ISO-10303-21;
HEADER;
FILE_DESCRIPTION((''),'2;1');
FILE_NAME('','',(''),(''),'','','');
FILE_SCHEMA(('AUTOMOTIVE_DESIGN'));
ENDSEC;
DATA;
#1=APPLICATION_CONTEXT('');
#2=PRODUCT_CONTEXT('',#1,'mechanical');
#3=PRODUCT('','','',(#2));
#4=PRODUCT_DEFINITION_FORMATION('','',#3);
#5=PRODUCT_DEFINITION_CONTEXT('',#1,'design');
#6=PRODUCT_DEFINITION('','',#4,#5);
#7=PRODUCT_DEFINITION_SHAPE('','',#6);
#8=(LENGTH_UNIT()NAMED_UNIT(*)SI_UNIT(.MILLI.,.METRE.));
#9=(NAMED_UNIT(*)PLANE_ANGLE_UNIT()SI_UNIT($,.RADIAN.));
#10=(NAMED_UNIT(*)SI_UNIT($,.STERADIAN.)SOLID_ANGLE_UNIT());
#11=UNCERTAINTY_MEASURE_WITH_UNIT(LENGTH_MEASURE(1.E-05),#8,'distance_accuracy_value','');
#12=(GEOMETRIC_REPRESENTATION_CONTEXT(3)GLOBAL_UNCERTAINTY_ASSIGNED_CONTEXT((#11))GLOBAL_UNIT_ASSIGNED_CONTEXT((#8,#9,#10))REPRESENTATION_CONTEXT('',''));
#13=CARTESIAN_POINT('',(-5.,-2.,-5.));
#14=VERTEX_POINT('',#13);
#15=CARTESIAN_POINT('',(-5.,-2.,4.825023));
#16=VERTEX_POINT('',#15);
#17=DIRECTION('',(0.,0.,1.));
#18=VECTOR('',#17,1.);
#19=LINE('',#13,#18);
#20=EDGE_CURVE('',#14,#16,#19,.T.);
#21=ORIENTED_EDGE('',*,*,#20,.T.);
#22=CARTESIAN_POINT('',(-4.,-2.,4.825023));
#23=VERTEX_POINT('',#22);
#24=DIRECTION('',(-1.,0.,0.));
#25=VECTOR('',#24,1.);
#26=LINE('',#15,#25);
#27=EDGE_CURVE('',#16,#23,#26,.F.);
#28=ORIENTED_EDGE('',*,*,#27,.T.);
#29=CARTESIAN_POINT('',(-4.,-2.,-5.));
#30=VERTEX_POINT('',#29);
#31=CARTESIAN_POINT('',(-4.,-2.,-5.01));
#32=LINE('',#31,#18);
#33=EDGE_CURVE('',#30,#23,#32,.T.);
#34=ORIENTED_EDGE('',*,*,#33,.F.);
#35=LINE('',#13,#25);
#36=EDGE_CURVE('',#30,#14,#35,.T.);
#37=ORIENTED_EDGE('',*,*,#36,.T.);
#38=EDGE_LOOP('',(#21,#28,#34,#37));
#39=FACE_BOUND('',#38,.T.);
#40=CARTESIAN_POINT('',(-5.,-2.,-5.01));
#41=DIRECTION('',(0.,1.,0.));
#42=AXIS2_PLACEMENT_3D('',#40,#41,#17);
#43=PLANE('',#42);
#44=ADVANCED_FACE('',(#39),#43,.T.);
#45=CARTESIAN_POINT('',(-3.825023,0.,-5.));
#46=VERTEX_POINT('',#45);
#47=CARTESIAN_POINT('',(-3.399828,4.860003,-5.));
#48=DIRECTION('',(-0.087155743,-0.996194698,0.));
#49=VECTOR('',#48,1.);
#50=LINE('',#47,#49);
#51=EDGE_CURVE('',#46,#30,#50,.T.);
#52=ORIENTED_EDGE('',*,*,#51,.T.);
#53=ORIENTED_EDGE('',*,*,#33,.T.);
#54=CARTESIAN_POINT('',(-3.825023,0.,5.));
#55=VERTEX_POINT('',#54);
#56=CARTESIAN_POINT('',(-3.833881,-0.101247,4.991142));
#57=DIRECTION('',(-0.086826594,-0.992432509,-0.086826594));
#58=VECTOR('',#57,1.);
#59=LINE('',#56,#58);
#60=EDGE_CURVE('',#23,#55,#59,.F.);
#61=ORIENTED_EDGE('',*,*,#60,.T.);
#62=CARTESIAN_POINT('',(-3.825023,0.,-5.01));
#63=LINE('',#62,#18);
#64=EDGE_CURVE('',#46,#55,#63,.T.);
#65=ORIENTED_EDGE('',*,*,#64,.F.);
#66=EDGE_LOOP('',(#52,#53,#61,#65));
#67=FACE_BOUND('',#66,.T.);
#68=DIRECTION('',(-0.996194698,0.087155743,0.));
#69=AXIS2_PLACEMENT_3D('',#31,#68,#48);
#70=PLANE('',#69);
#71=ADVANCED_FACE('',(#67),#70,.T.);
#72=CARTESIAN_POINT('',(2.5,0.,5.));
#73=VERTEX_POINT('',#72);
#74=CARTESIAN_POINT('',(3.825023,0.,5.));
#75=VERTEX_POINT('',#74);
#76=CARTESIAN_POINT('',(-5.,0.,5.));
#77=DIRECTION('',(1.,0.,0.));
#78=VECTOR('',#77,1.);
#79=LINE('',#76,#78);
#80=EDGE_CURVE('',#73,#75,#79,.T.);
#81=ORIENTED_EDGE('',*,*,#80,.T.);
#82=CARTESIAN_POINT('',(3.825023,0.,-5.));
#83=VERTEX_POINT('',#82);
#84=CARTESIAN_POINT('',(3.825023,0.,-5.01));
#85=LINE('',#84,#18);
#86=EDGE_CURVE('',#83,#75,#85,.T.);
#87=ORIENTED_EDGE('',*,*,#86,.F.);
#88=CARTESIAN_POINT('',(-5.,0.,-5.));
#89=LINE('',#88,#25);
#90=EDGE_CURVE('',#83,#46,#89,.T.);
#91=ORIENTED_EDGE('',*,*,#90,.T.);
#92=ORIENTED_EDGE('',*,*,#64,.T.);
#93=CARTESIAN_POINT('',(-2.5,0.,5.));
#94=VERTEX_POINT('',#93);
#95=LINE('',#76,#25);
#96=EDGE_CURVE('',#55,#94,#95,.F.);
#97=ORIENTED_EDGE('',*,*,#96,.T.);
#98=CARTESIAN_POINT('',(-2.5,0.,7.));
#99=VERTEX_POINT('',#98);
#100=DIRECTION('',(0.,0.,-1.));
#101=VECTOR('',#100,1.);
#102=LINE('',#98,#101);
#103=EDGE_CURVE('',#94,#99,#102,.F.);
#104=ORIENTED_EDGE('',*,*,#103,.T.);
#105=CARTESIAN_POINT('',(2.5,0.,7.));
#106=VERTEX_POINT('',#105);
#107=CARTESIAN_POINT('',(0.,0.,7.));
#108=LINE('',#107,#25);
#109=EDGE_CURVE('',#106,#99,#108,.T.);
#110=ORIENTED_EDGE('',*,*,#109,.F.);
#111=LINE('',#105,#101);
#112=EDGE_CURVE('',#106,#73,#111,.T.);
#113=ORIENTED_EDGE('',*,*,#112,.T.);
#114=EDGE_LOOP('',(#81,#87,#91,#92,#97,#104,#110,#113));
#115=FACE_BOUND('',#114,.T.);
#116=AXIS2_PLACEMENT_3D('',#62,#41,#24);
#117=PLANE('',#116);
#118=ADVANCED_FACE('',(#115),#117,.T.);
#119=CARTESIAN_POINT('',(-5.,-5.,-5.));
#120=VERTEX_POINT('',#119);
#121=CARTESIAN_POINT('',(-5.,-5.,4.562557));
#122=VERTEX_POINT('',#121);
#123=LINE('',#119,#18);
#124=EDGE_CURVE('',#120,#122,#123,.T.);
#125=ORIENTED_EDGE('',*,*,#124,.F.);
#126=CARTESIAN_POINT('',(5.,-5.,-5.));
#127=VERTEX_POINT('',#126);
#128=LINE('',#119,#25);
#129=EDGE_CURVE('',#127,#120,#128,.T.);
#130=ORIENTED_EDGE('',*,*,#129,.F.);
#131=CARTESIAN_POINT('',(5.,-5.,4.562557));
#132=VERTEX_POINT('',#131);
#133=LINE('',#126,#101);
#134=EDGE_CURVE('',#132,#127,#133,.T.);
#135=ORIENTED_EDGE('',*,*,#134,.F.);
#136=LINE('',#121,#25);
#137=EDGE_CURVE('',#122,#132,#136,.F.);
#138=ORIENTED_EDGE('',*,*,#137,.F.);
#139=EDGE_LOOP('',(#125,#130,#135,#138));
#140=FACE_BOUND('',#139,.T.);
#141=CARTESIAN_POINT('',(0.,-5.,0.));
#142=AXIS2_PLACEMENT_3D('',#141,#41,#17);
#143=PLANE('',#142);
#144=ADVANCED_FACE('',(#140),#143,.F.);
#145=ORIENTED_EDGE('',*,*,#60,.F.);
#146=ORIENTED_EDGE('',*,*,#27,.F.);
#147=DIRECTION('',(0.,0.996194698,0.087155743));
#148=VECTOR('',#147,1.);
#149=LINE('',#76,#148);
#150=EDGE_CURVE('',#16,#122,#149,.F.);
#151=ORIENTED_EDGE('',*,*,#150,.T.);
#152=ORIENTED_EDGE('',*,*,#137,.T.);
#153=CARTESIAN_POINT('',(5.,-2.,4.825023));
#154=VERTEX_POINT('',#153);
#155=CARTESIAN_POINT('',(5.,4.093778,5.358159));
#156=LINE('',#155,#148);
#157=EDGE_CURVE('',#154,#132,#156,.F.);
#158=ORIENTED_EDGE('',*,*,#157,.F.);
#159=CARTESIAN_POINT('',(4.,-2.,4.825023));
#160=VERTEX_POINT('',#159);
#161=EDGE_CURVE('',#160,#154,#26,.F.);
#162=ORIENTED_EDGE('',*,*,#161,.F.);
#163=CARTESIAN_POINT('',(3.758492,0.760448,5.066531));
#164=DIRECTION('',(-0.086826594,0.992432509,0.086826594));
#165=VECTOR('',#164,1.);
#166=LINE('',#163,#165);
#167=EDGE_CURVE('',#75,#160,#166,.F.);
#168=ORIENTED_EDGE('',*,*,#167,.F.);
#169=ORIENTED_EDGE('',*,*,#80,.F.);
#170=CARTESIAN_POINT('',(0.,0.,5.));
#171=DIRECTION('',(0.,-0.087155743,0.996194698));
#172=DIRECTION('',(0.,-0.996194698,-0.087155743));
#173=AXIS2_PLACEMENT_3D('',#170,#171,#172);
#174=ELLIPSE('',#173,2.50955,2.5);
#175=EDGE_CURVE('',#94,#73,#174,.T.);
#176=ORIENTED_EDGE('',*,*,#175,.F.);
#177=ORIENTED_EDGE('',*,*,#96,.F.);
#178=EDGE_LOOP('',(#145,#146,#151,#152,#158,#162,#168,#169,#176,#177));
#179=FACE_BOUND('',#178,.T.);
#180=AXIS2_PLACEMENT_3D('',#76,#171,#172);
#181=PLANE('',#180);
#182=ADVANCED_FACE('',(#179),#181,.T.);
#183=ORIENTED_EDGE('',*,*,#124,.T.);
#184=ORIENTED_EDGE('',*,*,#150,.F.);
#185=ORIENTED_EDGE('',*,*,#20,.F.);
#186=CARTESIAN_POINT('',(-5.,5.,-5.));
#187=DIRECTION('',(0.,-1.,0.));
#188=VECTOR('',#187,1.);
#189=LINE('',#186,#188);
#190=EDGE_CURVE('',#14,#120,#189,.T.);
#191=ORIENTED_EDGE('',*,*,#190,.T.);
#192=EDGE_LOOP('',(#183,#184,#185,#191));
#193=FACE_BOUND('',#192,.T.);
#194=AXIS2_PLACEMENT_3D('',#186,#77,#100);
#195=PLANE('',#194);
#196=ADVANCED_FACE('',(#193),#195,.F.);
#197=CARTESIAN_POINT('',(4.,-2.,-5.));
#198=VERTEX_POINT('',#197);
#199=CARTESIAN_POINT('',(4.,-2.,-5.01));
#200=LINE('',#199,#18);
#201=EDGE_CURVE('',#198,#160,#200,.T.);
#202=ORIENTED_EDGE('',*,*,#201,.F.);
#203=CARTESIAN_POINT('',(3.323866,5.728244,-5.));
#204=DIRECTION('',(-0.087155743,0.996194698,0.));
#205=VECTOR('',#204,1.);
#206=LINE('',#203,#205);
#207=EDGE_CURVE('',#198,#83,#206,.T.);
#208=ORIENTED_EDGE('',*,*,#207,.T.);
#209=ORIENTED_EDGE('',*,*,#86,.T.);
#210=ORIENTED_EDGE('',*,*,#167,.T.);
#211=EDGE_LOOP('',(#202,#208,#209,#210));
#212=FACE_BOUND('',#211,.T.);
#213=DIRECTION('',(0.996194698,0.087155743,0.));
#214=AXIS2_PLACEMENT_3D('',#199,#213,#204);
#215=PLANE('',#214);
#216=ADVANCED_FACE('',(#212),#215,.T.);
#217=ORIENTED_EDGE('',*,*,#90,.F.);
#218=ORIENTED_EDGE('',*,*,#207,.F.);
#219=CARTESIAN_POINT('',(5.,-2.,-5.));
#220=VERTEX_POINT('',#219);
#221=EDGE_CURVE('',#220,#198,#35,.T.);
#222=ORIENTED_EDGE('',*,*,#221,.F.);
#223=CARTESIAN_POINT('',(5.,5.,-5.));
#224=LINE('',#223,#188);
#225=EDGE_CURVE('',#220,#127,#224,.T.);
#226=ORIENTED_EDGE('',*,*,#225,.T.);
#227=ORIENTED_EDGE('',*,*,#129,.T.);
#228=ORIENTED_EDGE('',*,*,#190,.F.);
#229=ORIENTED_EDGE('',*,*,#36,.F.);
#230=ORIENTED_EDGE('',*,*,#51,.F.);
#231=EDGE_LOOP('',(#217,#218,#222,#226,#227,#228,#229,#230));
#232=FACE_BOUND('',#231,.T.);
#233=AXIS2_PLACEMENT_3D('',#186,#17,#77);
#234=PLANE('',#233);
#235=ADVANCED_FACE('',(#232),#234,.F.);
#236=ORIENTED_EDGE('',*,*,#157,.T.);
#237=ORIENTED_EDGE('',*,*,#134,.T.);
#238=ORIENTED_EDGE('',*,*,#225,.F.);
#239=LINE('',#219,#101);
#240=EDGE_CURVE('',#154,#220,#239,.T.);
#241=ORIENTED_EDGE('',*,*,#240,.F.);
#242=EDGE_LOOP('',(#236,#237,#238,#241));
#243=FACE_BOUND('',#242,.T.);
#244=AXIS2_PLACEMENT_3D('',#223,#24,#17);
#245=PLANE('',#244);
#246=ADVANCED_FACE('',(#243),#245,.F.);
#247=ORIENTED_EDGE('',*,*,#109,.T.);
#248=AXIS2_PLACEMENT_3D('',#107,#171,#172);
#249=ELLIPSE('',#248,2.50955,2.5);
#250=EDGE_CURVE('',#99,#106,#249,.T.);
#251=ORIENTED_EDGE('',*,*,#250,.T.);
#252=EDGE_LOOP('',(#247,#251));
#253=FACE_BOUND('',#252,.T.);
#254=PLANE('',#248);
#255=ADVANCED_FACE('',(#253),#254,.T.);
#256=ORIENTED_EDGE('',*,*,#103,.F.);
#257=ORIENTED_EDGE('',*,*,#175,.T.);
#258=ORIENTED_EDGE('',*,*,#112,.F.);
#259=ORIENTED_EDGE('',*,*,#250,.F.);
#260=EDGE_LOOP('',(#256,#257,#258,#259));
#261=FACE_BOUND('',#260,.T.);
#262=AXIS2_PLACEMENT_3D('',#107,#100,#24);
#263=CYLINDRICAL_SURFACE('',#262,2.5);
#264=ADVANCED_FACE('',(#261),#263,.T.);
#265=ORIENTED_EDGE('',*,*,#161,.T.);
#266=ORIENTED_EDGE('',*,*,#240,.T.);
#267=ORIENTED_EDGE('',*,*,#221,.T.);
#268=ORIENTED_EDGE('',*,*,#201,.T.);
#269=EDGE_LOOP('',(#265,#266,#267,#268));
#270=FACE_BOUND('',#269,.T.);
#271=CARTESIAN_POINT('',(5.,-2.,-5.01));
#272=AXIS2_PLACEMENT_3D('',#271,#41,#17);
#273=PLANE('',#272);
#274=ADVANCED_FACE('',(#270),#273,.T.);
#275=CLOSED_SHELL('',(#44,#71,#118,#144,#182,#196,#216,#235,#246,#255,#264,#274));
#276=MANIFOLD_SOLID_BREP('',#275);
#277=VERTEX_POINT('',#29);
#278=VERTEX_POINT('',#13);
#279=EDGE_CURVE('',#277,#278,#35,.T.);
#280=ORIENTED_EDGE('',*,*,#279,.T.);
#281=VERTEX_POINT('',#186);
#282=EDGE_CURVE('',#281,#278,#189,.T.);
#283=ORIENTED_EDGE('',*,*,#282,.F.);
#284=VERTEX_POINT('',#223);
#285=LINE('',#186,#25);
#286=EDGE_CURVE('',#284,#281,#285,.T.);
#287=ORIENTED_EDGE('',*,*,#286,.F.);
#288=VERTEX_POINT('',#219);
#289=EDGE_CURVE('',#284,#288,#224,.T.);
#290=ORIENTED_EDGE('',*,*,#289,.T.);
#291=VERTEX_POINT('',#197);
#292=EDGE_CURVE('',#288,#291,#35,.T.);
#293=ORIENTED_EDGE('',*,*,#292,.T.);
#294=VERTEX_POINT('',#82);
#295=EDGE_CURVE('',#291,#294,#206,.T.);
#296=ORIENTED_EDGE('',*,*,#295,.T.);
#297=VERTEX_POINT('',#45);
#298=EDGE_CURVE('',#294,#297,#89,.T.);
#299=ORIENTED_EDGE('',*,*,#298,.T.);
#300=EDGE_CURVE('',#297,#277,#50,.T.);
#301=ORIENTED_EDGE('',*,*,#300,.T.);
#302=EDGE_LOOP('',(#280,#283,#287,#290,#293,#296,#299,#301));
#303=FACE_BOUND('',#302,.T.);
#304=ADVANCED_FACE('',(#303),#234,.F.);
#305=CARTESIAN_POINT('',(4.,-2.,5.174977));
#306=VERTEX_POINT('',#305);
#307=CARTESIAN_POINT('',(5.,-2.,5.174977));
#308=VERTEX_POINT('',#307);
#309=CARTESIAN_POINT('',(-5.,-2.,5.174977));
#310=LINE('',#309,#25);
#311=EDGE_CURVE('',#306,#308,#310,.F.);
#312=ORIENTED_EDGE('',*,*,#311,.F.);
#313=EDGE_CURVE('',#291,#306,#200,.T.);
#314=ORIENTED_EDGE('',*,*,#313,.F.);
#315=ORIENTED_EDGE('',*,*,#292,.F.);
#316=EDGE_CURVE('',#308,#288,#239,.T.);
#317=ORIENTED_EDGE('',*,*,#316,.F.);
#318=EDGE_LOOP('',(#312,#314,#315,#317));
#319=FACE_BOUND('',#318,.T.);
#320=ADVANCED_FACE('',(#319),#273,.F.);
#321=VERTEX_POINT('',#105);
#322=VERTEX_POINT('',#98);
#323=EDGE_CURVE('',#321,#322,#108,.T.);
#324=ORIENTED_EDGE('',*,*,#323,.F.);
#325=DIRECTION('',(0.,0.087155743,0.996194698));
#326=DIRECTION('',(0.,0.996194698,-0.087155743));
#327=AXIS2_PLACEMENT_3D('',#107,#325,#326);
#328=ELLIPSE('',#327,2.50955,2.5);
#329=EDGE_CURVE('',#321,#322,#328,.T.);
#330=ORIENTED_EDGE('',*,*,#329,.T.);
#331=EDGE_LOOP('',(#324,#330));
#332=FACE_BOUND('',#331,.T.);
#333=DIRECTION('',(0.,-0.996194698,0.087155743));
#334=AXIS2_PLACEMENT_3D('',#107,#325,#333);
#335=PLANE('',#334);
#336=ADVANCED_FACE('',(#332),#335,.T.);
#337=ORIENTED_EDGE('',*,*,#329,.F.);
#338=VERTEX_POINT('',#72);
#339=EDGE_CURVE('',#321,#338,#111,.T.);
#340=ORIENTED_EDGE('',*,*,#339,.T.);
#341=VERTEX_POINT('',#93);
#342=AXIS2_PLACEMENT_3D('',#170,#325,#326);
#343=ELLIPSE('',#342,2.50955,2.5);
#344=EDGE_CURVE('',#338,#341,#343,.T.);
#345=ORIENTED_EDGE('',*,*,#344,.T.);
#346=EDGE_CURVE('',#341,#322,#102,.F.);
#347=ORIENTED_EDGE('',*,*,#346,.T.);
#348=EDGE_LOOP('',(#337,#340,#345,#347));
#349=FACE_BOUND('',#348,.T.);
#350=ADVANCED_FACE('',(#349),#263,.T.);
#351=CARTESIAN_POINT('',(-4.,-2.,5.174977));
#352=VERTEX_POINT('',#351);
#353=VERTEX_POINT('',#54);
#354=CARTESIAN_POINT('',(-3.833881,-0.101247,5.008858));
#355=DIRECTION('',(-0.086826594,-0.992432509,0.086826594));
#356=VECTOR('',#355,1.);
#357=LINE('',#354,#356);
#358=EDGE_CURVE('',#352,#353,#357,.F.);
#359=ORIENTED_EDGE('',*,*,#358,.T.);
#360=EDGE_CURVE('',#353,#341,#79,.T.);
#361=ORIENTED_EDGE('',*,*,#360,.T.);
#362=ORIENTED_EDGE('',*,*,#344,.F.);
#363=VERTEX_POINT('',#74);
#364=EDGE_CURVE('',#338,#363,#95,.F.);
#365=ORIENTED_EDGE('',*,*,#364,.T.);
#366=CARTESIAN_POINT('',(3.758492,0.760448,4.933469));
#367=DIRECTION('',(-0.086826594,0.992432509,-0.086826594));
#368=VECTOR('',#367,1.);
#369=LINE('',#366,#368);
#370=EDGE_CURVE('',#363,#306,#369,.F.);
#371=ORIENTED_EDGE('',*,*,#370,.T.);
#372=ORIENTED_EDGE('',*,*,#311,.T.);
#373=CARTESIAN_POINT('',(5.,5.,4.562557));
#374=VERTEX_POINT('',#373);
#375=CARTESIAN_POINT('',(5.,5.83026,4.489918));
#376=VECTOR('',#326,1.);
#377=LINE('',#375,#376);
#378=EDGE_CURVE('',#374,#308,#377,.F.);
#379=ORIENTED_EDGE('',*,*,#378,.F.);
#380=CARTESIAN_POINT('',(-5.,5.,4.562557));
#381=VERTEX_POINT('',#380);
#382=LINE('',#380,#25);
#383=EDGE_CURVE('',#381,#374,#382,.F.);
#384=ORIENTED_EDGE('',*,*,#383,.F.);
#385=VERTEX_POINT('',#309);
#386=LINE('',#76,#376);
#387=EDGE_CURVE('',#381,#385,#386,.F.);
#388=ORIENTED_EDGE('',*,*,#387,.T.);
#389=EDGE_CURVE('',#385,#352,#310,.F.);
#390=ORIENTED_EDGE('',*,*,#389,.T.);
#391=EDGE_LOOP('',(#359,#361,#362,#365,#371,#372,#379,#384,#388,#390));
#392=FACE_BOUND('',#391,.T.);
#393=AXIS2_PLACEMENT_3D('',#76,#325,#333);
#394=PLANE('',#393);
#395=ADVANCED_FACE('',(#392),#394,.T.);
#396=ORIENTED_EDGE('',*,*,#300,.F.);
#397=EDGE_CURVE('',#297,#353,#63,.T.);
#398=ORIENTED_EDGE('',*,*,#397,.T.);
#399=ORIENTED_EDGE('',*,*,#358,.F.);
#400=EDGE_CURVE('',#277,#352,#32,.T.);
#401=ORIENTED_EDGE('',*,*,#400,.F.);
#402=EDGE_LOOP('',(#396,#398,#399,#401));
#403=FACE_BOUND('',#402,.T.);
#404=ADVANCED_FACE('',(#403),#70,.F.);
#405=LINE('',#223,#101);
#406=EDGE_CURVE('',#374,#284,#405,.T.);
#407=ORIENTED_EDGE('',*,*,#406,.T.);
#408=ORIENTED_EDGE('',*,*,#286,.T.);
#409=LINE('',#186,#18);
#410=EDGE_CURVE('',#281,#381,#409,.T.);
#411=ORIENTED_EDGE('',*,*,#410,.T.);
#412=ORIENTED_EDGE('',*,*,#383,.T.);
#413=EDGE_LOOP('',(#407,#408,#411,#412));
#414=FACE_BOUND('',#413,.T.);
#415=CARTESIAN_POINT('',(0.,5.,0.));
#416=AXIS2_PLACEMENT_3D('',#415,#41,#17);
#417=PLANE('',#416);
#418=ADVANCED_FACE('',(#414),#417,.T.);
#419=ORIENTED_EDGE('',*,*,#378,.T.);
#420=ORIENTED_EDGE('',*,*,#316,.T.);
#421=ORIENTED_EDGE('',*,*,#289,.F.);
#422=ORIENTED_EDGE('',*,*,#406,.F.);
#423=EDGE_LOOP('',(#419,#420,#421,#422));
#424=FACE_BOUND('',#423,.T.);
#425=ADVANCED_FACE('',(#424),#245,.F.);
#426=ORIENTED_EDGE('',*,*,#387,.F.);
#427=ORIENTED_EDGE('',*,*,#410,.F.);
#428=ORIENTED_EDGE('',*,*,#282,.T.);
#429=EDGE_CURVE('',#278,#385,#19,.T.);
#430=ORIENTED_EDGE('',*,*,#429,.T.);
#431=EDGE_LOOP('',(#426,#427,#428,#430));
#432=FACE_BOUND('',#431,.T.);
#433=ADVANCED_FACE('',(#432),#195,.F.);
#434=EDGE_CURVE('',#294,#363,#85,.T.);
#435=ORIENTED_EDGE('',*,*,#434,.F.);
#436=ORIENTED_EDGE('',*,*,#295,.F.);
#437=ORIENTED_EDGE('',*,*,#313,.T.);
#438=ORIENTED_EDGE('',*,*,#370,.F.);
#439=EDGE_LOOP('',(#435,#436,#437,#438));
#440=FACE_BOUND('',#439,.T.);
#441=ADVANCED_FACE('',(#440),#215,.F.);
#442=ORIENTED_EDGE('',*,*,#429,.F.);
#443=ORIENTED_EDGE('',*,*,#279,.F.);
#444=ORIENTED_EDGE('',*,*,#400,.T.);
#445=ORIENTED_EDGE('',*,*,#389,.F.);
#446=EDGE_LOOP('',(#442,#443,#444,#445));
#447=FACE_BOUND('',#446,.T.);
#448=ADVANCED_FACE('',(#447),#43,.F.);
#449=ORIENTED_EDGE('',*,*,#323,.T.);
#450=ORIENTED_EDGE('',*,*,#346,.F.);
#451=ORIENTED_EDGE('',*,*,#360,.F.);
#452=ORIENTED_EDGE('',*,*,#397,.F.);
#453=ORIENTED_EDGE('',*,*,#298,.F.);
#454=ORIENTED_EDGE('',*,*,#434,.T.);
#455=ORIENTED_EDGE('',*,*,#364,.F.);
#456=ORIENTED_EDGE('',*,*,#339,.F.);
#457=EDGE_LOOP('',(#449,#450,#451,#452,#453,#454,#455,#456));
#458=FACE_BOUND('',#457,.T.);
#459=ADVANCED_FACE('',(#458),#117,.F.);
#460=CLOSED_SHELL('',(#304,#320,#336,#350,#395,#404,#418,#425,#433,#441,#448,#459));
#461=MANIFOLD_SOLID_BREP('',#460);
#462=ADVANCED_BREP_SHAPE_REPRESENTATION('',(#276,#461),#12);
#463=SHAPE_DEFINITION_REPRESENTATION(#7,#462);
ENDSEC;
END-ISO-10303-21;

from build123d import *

# Parameters (mm, degrees)
SKIZZE1_W                       = 10
SKIZZE1_H                       = 10
AUFSATZ_LINEAR_AUSTRAGEN1_DEPTH = 5
SKIZZE2_R                       = 2.5
AUFSATZ_LINEAR_AUSTRAGEN2_DEPTH = 2
ABSPALTEN1_SURFACE_1_BACK       = 19.547
ABSPALTEN1_SURFACE_1_DEPTH      = 39.094
ABSPALTEN1_SURFACE_2_BACK       = 19.547
ABSPALTEN1_SURFACE_2_DEPTH      = 39.094
FORMSCHR_GE5_ANGLE              = -5
FORMSCHR_GE6_ANGLE              = -5


with BuildPart() as part:
    # Skizze1 → Aufsatz-Linear austragen1 (new, symmetric)
    with BuildSketch(Plane(origin=(0, 0, 0), x_dir=(1, 0, 0), z_dir=(0, 1, 0))):
        Rectangle(SKIZZE1_W, SKIZZE1_H)
    extrude(amount=AUFSATZ_LINEAR_AUSTRAGEN1_DEPTH, both=True)

    # Skizze2 → Aufsatz-Linear austragen2 (add)
    with BuildSketch(Plane.XY.offset(5)):
        with Locations(Location((0, 0, 0), (0, 0, 180))):
            Circle(SKIZZE2_R)
    extrude(amount=AUFSATZ_LINEAR_AUSTRAGEN2_DEPTH)


with BuildPart() as body_2:
    # Abspalten1: the piece behind the surface
    add(part.part)
    # Abspalten1 surface: a surface, the sketch's curves swept straight by 39.094 mm
    with BuildLine(Plane.XY.offset(5).offset(-ABSPALTEN1_SURFACE_1_BACK), mode=Mode.PRIVATE) as abspalten1_surface_1_path:
        Line((-5, -2), (-4, -2))
        Line((-4, -2), (-3.825022673, 0))
        Line((-3.825022673, 0), (3.825022673, 0))
        Line((3.825022673, 0), (4, -2))
        Line((4, -2), (5, -2))
    abspalten1_surface_1 = Shell.extrude(abspalten1_surface_1_path.wire(), (0 * ABSPALTEN1_SURFACE_1_DEPTH, 0 * ABSPALTEN1_SURFACE_1_DEPTH, 1 * ABSPALTEN1_SURFACE_1_DEPTH))
    split(bisect_by=abspalten1_surface_1, keep=Keep.BOTTOM)

    # Formschräge6
    formschr_ge6_faces = [body_2.faces().sort_by_distance(p)[0] for p in [
        (0, -3.079601476, 5),
        (0, -1.061032954, 7),
    ]]
    draft(formschr_ge6_faces, Plane(origin=(-3.825022673, 0, -5.01), x_dir=(1, 0, 0), z_dir=(0, 1, 0)), FORMSCHR_GE6_ANGLE)


with BuildPart() as part_1:
    add(part.part)

    # Abspalten1: split by a surface, the side it looks to stays
    # Abspalten1 surface: a surface, the sketch's curves swept straight by 39.094 mm
    with BuildLine(Plane.XY.offset(5).offset(-ABSPALTEN1_SURFACE_2_BACK), mode=Mode.PRIVATE) as abspalten1_surface_2_path:
        Line((-5, -2), (-4, -2))
        Line((-4, -2), (-3.825022673, 0))
        Line((-3.825022673, 0), (3.825022673, 0))
        Line((3.825022673, 0), (4, -2))
        Line((4, -2), (5, -2))
    abspalten1_surface_2 = Shell.extrude(abspalten1_surface_2_path.wire(), (0 * ABSPALTEN1_SURFACE_2_DEPTH, 0 * ABSPALTEN1_SURFACE_2_DEPTH, 1 * ABSPALTEN1_SURFACE_2_DEPTH))
    split(bisect_by=abspalten1_surface_2, keep=Keep.TOP)

    # Formschräge5
    formschr_ge5_faces = [part_1.faces().sort_by_distance(p)[0] for p in [
        (0, 1.061032954, 7),
        (4.877934444, 1.5, 5),
    ]]
    draft(formschr_ge5_faces, Plane(origin=(-3.825022673, 0, -5.01), x_dir=(-1, 0, 0), z_dir=(0, -1, 0)), FORMSCHR_GE5_ANGLE)


solid = Compound([body_2.part, part_1.part])
